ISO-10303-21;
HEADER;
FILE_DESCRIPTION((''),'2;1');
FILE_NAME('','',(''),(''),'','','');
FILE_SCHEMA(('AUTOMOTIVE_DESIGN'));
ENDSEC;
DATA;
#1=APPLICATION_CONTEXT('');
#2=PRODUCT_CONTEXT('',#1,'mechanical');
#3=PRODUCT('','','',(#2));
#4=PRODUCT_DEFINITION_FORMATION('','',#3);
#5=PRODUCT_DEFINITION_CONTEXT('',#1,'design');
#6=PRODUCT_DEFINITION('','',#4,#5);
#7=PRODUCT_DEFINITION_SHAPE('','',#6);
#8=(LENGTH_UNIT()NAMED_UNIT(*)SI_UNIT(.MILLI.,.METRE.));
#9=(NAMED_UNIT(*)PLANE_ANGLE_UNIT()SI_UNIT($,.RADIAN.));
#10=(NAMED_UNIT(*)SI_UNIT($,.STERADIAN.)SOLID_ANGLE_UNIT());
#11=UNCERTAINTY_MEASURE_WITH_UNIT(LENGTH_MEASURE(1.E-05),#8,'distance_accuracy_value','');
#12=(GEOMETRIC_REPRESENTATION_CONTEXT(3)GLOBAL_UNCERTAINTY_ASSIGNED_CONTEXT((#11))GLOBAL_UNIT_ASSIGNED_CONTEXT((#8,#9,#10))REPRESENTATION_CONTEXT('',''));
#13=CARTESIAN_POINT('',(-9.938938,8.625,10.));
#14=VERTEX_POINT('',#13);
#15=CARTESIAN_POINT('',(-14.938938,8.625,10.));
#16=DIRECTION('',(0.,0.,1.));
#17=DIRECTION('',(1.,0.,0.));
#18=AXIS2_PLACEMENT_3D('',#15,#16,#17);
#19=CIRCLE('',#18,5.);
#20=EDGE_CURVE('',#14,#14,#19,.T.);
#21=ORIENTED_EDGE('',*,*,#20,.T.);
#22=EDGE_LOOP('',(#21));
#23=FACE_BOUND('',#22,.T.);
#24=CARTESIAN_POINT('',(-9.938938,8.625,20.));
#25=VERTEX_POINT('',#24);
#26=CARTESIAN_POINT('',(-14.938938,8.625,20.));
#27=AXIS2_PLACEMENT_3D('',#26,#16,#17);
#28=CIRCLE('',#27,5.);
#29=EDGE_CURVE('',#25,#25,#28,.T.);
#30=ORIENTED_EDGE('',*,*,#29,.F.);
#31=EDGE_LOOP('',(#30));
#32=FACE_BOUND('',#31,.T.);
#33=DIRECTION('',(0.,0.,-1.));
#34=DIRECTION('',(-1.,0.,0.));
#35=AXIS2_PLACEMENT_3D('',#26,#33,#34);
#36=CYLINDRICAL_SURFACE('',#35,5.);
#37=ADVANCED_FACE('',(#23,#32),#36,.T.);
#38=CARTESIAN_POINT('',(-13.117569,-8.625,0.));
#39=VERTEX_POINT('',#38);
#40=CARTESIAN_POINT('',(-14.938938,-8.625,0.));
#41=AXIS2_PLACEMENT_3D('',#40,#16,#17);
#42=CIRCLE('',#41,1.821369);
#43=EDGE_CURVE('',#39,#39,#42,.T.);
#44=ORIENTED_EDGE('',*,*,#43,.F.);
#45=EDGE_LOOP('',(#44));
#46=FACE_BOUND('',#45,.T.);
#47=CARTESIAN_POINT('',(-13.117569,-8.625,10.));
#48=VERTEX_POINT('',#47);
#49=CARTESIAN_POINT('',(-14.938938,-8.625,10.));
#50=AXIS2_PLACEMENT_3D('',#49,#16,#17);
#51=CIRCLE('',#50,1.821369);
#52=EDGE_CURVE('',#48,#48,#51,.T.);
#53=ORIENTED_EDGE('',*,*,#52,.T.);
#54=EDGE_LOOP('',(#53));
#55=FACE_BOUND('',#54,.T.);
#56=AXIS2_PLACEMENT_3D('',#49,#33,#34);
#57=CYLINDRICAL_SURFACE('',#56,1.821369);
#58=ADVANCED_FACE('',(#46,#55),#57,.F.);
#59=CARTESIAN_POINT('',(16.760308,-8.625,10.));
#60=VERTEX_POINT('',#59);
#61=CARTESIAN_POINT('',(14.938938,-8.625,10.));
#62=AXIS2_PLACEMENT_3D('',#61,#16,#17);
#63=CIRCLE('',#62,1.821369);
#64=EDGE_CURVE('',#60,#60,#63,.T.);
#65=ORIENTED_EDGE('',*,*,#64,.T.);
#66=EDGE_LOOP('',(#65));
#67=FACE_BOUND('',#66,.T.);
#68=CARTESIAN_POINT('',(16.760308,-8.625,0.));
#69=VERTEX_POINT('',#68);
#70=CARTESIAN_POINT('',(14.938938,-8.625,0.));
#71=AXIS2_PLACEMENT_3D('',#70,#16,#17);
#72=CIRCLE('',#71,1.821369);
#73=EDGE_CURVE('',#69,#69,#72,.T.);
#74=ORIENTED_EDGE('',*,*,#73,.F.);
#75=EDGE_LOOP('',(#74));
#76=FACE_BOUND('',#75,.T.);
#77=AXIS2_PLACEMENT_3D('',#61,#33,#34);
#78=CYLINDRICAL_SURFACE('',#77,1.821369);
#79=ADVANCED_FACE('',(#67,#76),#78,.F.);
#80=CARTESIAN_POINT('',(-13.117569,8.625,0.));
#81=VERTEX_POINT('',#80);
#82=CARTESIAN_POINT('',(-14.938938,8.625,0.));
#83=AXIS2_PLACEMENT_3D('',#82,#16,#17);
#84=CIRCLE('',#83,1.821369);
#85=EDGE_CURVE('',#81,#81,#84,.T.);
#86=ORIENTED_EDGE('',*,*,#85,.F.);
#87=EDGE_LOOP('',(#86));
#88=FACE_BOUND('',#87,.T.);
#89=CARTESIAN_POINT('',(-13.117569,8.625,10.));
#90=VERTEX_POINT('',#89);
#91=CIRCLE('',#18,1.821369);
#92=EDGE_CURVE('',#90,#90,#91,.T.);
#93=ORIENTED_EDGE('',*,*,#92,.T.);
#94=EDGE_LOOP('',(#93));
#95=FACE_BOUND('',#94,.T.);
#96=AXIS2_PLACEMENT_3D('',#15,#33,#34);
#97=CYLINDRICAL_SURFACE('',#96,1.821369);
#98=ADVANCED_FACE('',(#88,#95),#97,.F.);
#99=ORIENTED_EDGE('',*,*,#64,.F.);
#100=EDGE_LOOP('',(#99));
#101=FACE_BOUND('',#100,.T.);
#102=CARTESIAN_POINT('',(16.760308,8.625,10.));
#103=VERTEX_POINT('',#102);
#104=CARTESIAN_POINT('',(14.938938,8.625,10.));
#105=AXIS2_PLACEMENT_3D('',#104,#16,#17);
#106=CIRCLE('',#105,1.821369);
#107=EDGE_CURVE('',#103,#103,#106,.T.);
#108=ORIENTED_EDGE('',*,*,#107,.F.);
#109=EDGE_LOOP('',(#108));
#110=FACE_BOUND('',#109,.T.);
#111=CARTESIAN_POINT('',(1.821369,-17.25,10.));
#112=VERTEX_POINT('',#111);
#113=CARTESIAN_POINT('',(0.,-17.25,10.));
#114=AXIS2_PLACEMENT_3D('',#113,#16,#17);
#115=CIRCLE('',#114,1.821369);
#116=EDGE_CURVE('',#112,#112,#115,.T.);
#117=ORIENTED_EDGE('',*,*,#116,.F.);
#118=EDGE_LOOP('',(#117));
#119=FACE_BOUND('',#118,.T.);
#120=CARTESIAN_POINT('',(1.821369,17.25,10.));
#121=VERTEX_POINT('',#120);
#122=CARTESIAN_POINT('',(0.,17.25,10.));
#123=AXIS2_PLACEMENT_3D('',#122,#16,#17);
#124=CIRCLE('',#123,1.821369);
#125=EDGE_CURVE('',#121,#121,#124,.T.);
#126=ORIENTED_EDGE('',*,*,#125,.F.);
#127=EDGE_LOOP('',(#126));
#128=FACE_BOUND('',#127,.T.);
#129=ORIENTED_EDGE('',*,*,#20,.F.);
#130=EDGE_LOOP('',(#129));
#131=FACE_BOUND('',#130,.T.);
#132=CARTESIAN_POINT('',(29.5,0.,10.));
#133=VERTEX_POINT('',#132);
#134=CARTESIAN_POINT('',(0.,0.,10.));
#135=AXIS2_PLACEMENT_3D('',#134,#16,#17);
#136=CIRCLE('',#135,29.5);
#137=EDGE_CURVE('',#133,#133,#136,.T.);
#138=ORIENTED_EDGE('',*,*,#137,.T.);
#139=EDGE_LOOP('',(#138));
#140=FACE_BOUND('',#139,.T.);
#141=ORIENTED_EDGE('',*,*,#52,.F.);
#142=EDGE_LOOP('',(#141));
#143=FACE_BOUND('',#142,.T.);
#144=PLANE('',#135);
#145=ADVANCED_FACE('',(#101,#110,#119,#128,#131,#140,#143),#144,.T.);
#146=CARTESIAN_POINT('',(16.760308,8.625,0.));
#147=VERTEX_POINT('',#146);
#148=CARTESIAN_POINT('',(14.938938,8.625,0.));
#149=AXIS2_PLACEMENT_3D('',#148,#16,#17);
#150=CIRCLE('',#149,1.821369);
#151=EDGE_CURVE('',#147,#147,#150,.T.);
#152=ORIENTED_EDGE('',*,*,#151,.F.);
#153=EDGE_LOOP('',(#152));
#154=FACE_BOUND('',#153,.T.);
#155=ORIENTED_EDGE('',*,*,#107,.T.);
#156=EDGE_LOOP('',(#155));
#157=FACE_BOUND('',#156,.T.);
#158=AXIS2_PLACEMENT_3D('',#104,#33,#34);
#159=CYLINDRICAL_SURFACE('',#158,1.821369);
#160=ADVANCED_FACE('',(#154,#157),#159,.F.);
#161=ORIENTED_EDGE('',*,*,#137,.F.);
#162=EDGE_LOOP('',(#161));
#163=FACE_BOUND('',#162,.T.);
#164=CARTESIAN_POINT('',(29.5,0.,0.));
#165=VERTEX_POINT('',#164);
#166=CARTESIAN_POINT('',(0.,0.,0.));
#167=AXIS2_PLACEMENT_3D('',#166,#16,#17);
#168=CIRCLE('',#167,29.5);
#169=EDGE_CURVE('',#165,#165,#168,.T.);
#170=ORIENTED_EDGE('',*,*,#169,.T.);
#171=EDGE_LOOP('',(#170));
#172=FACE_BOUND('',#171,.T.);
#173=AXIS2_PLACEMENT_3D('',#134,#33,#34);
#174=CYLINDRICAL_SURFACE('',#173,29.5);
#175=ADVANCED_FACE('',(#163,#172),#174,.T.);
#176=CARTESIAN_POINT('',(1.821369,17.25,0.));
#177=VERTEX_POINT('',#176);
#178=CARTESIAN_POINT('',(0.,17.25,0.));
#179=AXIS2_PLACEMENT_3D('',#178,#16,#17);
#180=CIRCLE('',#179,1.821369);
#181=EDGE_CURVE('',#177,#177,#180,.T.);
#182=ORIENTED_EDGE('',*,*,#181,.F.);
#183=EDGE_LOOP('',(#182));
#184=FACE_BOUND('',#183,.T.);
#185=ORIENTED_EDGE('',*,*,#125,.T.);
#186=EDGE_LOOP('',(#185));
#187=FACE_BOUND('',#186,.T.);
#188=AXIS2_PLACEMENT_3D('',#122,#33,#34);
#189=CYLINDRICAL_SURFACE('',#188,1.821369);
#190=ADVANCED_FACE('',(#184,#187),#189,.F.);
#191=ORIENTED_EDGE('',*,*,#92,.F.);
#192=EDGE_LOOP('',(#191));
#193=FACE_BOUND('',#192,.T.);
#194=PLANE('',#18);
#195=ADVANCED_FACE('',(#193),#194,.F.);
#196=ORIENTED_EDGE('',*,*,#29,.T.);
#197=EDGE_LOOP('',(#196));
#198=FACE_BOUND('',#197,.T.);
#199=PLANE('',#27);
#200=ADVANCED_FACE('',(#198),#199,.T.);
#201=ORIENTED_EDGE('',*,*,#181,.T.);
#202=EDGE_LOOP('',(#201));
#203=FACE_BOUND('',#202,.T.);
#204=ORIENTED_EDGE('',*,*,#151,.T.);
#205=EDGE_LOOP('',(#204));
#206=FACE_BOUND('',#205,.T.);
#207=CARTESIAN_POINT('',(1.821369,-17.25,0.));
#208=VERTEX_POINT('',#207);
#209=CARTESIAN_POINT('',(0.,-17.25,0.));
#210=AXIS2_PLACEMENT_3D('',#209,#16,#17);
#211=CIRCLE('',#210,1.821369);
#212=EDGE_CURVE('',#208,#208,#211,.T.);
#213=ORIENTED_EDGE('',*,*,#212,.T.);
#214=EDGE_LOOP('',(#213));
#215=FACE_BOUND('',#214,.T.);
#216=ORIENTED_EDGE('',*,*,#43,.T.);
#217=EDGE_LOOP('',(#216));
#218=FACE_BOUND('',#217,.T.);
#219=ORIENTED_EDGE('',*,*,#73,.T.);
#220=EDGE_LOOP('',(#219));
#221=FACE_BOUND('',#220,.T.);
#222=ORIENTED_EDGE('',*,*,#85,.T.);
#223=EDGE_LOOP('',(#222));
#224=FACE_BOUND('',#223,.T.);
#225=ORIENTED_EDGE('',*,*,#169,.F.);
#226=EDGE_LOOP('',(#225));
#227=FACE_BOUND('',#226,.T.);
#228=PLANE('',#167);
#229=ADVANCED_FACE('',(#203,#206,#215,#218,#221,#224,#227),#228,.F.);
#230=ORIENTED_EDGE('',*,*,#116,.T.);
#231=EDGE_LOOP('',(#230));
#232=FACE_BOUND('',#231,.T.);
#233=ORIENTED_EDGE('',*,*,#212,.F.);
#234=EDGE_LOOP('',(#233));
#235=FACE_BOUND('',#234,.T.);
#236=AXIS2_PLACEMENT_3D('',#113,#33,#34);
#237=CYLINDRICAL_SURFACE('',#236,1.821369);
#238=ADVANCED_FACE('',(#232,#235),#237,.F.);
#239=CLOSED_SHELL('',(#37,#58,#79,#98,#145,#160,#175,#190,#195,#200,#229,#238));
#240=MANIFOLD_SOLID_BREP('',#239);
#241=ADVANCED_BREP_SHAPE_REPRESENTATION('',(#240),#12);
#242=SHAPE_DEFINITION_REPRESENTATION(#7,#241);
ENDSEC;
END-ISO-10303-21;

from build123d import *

# Parameters (mm, degrees)
SKETCH_1_R      = 29.5
SKETCH_1_R_2    = 1.82136949
EXTRUDE_1_DEPTH = 10
SKETCH_2_R      = 5
EXTRUDE_2_DEPTH = 10


with BuildPart() as part:
    # 草图1 → 凸台-拉伸1 (new body)
    with BuildSketch(Plane.XY):
        Circle(SKETCH_1_R)
        with Locations((0, 17.25)):
            Circle(SKETCH_1_R_2, mode=Mode.SUBTRACT)
        with Locations((14.938938215, 8.625)):
            Circle(SKETCH_1_R_2, mode=Mode.SUBTRACT)
        with Locations((14.938938215, -8.625)):
            Circle(SKETCH_1_R_2, mode=Mode.SUBTRACT)
        with Locations((0, -17.25)):
            Circle(SKETCH_1_R_2, mode=Mode.SUBTRACT)
        with Locations((-14.938938215, -8.625)):
            Circle(SKETCH_1_R_2, mode=Mode.SUBTRACT)
        with Locations((-14.938938215, 8.625)):
            Circle(SKETCH_1_R_2, mode=Mode.SUBTRACT)
    extrude(amount=EXTRUDE_1_DEPTH)

    # 草图2 → 凸台-拉伸2 (add)
    with BuildSketch(Plane.XY.offset(10)):
        with Locations((-14.938938215, 8.625)):
            Circle(SKETCH_2_R)
    extrude(amount=EXTRUDE_2_DEPTH)


solid = part.part
